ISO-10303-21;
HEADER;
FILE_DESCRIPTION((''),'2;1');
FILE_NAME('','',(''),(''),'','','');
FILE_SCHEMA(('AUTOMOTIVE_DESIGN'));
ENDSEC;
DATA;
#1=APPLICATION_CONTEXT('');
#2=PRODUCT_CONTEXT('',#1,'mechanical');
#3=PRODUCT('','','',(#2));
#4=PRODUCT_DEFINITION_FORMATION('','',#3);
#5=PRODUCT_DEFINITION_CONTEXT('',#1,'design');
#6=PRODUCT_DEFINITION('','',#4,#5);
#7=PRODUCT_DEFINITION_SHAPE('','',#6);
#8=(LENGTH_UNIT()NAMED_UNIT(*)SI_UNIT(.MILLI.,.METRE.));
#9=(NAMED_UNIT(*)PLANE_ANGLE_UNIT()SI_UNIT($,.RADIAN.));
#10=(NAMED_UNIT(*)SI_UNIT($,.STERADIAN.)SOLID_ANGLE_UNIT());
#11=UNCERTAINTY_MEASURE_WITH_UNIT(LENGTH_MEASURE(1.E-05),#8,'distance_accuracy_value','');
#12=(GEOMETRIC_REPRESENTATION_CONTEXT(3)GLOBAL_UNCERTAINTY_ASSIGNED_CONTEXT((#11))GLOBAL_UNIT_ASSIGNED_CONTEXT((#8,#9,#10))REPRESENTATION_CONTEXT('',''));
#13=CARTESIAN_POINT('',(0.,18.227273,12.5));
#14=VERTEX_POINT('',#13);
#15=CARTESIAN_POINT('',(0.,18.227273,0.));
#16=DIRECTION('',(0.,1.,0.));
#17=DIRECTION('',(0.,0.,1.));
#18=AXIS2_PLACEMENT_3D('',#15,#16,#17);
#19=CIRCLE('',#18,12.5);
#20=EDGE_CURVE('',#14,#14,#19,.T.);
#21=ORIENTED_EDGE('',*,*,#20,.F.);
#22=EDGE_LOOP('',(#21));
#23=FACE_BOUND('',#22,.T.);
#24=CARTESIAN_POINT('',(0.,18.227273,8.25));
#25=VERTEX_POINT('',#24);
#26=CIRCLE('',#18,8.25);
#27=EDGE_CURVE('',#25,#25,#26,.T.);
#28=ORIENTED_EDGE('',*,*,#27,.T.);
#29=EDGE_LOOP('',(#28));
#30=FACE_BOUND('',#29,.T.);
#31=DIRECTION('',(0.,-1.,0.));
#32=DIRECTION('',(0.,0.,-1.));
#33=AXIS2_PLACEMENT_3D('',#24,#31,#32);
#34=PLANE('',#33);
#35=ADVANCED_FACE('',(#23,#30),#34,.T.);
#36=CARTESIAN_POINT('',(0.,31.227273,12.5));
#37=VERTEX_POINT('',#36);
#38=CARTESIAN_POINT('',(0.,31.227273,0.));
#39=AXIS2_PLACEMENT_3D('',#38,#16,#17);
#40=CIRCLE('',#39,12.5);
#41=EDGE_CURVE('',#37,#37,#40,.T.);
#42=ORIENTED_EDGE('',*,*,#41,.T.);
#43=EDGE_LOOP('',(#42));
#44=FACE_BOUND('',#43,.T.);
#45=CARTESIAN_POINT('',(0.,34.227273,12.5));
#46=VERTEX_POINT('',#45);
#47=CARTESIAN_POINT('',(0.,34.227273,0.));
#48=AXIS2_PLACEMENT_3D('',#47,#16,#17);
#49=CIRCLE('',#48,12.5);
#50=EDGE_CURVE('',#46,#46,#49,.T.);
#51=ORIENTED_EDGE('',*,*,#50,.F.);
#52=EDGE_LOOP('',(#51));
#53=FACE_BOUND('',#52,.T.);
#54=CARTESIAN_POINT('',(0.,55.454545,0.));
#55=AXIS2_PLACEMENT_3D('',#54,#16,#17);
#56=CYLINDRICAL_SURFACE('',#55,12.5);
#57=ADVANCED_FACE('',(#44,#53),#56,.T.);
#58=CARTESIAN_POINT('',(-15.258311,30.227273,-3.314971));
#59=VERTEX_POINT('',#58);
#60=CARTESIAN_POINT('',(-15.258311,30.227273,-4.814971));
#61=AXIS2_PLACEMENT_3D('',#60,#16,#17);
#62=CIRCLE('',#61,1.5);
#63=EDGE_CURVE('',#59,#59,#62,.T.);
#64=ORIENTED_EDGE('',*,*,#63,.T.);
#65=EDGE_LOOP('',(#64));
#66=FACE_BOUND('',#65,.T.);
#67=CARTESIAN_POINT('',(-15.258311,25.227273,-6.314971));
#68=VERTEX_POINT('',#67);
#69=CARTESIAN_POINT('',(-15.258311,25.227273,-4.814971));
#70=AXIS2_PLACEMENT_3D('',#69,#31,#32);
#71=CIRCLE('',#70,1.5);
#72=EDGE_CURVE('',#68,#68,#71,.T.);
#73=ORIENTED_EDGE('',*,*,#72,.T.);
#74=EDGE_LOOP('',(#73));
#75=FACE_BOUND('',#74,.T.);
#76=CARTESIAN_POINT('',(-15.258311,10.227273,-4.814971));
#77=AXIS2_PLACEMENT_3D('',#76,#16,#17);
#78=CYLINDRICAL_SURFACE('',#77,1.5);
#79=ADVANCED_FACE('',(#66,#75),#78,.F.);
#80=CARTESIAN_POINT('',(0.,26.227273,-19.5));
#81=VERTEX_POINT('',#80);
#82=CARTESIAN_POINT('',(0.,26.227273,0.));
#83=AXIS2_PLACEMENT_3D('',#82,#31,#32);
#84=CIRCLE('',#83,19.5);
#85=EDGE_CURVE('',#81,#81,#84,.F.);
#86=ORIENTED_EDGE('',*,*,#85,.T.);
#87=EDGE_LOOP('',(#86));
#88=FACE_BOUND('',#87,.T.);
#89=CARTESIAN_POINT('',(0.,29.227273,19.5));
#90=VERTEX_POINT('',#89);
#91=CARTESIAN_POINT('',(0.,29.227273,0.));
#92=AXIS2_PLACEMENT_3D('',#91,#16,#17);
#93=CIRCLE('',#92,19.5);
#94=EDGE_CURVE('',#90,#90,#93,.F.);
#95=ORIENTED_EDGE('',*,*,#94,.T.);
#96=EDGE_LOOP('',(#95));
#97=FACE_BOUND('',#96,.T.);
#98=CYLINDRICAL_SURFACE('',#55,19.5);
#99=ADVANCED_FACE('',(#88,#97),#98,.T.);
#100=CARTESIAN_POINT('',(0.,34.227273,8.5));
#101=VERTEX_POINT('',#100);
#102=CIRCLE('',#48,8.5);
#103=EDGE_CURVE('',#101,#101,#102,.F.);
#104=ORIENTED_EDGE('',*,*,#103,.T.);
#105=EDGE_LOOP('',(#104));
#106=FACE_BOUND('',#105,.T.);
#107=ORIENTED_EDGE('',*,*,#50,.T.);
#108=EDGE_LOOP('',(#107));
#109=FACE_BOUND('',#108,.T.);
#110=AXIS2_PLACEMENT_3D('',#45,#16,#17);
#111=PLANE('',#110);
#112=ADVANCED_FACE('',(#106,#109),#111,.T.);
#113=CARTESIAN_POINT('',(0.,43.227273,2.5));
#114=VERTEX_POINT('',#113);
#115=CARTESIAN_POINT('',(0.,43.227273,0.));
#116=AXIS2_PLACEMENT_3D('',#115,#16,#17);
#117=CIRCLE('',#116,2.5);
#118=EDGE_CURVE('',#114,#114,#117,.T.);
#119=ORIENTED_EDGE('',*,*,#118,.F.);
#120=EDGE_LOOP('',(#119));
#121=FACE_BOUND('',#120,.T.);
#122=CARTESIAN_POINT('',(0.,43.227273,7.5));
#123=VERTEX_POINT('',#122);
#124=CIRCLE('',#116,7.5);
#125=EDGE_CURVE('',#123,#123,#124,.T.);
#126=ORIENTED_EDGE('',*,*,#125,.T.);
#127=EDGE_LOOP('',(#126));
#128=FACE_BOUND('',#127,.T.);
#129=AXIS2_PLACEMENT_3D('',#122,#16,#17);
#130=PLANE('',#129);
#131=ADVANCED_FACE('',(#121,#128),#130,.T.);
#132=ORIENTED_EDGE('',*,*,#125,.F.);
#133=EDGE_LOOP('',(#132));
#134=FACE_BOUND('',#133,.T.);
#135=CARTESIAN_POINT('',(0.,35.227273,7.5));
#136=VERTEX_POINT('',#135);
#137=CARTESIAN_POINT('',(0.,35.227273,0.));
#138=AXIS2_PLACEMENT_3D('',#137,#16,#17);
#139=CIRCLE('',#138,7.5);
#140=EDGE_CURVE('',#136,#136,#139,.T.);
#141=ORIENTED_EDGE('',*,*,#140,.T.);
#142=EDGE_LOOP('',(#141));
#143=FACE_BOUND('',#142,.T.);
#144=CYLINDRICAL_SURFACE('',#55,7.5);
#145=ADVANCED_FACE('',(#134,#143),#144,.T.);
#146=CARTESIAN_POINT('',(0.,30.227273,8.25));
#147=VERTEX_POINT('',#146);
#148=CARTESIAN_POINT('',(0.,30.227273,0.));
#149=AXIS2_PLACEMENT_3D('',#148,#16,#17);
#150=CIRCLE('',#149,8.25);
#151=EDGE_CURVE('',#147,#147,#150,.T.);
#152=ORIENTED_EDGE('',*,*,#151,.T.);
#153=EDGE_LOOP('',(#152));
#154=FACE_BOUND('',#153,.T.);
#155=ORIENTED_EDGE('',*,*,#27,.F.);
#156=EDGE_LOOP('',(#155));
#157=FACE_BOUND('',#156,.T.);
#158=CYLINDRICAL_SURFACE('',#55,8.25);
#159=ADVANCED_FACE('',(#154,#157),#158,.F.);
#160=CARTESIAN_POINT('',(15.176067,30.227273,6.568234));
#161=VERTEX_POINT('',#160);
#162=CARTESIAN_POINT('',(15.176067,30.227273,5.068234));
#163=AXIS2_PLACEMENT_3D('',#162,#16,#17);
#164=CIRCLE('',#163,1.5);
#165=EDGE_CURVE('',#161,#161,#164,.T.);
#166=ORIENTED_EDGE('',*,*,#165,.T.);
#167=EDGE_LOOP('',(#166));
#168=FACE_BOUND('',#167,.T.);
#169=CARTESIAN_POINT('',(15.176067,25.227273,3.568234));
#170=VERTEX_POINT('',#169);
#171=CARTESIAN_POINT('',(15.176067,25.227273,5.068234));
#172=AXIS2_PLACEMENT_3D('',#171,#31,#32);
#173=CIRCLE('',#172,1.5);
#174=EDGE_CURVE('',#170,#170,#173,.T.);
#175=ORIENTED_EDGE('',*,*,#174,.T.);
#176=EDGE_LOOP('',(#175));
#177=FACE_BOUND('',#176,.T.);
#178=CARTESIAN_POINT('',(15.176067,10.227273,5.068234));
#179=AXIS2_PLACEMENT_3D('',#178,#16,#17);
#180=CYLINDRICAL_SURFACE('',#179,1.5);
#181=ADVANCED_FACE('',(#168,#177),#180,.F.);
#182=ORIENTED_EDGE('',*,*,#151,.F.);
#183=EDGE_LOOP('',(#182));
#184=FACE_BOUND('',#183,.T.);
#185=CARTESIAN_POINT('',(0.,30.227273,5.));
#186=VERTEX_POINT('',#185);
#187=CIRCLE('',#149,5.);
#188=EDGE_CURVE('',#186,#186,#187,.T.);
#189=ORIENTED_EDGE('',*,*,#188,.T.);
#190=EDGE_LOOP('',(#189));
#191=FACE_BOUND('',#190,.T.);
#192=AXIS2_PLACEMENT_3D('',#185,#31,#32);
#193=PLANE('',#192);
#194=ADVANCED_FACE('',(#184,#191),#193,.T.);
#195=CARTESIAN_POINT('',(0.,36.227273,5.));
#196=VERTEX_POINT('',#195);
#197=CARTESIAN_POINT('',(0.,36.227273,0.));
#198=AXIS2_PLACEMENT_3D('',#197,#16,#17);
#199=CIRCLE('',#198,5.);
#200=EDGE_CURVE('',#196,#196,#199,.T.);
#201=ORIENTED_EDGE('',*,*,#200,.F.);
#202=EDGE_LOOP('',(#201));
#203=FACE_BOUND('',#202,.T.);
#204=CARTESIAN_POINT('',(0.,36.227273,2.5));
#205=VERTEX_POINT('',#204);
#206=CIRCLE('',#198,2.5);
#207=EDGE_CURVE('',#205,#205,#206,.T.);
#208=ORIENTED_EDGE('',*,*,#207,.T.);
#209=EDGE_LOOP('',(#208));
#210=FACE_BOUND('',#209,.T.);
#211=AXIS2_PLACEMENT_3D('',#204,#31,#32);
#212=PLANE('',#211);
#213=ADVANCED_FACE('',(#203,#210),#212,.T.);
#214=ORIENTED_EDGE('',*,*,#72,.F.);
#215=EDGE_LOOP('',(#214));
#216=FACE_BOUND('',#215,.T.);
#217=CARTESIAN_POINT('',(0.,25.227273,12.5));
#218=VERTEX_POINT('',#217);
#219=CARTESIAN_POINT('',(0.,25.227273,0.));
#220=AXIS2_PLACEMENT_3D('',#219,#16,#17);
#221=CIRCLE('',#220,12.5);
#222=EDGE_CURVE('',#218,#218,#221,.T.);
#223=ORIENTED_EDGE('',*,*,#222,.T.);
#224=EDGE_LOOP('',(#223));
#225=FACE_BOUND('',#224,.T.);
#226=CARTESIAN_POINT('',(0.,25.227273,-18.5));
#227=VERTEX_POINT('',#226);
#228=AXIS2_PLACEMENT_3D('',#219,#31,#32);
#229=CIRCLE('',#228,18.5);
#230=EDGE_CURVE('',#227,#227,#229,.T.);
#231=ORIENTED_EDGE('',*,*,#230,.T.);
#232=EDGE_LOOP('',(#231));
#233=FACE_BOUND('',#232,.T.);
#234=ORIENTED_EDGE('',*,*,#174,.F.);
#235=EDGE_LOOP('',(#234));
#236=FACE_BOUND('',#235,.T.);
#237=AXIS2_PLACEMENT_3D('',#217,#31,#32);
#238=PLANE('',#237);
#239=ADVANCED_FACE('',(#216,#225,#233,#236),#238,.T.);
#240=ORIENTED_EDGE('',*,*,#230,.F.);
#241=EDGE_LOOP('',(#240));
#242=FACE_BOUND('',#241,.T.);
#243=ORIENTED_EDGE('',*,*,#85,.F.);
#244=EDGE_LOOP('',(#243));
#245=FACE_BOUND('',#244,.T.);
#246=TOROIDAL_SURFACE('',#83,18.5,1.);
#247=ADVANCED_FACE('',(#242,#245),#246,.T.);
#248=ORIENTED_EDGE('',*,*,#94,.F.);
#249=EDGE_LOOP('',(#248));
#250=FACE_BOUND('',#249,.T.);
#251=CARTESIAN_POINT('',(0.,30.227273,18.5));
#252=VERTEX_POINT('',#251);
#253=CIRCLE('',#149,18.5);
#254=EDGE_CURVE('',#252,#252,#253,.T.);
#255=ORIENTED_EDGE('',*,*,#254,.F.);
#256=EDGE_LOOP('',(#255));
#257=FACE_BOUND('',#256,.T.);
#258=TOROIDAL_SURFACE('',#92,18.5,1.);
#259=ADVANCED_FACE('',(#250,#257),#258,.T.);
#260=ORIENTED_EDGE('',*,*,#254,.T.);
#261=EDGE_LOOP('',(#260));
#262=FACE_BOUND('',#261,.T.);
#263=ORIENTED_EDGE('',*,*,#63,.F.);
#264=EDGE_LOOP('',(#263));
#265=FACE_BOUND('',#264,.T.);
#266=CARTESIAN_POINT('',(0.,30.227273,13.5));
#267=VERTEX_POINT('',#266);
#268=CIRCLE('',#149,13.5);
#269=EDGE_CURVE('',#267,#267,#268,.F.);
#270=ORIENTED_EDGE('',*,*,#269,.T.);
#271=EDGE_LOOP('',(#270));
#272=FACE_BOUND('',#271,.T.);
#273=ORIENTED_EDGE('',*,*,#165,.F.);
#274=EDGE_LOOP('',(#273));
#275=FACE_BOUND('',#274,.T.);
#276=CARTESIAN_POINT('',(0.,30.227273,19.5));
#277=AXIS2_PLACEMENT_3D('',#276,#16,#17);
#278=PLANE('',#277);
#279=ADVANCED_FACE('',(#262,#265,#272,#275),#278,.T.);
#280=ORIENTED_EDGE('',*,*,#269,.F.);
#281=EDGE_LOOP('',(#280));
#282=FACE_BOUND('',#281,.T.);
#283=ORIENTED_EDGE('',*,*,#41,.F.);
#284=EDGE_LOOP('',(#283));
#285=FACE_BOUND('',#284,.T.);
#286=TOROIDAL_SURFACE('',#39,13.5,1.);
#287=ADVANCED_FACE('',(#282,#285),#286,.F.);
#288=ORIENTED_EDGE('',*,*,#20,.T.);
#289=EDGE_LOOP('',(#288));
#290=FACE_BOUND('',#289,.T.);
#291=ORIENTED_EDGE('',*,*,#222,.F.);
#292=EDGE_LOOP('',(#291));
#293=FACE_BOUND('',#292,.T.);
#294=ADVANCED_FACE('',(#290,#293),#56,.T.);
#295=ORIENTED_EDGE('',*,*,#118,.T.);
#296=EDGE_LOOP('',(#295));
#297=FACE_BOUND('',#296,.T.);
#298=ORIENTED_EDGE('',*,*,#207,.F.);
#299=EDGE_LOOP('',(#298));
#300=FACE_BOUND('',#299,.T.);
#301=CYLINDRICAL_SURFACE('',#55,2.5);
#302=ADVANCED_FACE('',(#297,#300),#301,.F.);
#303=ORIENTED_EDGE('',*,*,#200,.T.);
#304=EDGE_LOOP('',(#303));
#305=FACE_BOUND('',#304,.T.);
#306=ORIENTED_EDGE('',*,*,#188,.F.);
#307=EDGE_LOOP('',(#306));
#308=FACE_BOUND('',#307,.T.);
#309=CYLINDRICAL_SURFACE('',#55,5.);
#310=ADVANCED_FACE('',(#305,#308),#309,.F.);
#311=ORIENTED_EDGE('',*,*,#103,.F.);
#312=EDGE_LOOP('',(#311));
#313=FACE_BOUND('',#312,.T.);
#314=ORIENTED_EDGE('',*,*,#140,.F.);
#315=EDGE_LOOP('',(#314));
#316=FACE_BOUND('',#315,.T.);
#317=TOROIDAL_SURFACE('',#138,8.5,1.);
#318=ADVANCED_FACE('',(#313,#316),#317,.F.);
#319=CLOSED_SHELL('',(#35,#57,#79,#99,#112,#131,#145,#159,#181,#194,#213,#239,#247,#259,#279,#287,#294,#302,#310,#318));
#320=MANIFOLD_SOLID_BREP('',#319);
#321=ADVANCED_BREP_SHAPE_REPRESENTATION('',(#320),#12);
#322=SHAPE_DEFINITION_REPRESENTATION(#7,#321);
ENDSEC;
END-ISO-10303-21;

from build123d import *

# Parameters (mm, degrees)
FILLET1_R          = 1
FILLET2_R          = 1
SKETCH3_R          = 1.5
CUT_EXTRUDE1_DEPTH = 20


with BuildPart() as part:
    # Sketch2 → Revolve1 (revolve)
    with BuildSketch(Plane(origin=(0, 0, 0), x_dir=(0, 0, -1), z_dir=(1, 0, 0))):
        Polygon((-2.5, 43.227272727), (-2.5, 36.227272727), (-5, 36.227272727), (-5, 30.227272727), (-8.25, 30.227272727), (-8.25, 18.227272727), (-12.5, 18.227272727), (-12.5, 25.227272727), (-19.5, 25.227272727), (-19.5, 30.227272727), (-12.5, 30.227272727), (-12.5, 34.227272727), (-7.5, 34.227272727), (-7.5, 43.227272727), align=None)
    revolve(axis=Axis((0, 55.454545455, 0), (0, -1, 0)))

    # Fillet1
    fillet1_edges = [part.edges().sort_by_distance(p)[0] for p in [
        (0, 30.227272727, -12.5),
        (0, 34.227272727, -7.5),
    ]]
    fillet(fillet1_edges, radius=FILLET1_R)

    # Fillet2
    fillet2_edges = [part.edges().sort_by_distance(p)[0] for p in [
        (0, 25.227272727, -19.5),
        (0, 30.227272727, -19.5),
    ]]
    fillet(fillet2_edges, radius=FILLET2_R)

    # Sketch3 → Cut-Extrude1 (cut)
    with BuildSketch(Plane(origin=(0, 30.227272727, 0), x_dir=(1, 0, 0), z_dir=(0, 1, 0))):
        with Locations((15.176066716, -5.068234312)):
            Circle(SKETCH3_R)
        with Locations((-15.258311064, 4.814970764)):
            Circle(SKETCH3_R)
    extrude(amount=-CUT_EXTRUDE1_DEPTH, mode=Mode.SUBTRACT)


solid = part.part
